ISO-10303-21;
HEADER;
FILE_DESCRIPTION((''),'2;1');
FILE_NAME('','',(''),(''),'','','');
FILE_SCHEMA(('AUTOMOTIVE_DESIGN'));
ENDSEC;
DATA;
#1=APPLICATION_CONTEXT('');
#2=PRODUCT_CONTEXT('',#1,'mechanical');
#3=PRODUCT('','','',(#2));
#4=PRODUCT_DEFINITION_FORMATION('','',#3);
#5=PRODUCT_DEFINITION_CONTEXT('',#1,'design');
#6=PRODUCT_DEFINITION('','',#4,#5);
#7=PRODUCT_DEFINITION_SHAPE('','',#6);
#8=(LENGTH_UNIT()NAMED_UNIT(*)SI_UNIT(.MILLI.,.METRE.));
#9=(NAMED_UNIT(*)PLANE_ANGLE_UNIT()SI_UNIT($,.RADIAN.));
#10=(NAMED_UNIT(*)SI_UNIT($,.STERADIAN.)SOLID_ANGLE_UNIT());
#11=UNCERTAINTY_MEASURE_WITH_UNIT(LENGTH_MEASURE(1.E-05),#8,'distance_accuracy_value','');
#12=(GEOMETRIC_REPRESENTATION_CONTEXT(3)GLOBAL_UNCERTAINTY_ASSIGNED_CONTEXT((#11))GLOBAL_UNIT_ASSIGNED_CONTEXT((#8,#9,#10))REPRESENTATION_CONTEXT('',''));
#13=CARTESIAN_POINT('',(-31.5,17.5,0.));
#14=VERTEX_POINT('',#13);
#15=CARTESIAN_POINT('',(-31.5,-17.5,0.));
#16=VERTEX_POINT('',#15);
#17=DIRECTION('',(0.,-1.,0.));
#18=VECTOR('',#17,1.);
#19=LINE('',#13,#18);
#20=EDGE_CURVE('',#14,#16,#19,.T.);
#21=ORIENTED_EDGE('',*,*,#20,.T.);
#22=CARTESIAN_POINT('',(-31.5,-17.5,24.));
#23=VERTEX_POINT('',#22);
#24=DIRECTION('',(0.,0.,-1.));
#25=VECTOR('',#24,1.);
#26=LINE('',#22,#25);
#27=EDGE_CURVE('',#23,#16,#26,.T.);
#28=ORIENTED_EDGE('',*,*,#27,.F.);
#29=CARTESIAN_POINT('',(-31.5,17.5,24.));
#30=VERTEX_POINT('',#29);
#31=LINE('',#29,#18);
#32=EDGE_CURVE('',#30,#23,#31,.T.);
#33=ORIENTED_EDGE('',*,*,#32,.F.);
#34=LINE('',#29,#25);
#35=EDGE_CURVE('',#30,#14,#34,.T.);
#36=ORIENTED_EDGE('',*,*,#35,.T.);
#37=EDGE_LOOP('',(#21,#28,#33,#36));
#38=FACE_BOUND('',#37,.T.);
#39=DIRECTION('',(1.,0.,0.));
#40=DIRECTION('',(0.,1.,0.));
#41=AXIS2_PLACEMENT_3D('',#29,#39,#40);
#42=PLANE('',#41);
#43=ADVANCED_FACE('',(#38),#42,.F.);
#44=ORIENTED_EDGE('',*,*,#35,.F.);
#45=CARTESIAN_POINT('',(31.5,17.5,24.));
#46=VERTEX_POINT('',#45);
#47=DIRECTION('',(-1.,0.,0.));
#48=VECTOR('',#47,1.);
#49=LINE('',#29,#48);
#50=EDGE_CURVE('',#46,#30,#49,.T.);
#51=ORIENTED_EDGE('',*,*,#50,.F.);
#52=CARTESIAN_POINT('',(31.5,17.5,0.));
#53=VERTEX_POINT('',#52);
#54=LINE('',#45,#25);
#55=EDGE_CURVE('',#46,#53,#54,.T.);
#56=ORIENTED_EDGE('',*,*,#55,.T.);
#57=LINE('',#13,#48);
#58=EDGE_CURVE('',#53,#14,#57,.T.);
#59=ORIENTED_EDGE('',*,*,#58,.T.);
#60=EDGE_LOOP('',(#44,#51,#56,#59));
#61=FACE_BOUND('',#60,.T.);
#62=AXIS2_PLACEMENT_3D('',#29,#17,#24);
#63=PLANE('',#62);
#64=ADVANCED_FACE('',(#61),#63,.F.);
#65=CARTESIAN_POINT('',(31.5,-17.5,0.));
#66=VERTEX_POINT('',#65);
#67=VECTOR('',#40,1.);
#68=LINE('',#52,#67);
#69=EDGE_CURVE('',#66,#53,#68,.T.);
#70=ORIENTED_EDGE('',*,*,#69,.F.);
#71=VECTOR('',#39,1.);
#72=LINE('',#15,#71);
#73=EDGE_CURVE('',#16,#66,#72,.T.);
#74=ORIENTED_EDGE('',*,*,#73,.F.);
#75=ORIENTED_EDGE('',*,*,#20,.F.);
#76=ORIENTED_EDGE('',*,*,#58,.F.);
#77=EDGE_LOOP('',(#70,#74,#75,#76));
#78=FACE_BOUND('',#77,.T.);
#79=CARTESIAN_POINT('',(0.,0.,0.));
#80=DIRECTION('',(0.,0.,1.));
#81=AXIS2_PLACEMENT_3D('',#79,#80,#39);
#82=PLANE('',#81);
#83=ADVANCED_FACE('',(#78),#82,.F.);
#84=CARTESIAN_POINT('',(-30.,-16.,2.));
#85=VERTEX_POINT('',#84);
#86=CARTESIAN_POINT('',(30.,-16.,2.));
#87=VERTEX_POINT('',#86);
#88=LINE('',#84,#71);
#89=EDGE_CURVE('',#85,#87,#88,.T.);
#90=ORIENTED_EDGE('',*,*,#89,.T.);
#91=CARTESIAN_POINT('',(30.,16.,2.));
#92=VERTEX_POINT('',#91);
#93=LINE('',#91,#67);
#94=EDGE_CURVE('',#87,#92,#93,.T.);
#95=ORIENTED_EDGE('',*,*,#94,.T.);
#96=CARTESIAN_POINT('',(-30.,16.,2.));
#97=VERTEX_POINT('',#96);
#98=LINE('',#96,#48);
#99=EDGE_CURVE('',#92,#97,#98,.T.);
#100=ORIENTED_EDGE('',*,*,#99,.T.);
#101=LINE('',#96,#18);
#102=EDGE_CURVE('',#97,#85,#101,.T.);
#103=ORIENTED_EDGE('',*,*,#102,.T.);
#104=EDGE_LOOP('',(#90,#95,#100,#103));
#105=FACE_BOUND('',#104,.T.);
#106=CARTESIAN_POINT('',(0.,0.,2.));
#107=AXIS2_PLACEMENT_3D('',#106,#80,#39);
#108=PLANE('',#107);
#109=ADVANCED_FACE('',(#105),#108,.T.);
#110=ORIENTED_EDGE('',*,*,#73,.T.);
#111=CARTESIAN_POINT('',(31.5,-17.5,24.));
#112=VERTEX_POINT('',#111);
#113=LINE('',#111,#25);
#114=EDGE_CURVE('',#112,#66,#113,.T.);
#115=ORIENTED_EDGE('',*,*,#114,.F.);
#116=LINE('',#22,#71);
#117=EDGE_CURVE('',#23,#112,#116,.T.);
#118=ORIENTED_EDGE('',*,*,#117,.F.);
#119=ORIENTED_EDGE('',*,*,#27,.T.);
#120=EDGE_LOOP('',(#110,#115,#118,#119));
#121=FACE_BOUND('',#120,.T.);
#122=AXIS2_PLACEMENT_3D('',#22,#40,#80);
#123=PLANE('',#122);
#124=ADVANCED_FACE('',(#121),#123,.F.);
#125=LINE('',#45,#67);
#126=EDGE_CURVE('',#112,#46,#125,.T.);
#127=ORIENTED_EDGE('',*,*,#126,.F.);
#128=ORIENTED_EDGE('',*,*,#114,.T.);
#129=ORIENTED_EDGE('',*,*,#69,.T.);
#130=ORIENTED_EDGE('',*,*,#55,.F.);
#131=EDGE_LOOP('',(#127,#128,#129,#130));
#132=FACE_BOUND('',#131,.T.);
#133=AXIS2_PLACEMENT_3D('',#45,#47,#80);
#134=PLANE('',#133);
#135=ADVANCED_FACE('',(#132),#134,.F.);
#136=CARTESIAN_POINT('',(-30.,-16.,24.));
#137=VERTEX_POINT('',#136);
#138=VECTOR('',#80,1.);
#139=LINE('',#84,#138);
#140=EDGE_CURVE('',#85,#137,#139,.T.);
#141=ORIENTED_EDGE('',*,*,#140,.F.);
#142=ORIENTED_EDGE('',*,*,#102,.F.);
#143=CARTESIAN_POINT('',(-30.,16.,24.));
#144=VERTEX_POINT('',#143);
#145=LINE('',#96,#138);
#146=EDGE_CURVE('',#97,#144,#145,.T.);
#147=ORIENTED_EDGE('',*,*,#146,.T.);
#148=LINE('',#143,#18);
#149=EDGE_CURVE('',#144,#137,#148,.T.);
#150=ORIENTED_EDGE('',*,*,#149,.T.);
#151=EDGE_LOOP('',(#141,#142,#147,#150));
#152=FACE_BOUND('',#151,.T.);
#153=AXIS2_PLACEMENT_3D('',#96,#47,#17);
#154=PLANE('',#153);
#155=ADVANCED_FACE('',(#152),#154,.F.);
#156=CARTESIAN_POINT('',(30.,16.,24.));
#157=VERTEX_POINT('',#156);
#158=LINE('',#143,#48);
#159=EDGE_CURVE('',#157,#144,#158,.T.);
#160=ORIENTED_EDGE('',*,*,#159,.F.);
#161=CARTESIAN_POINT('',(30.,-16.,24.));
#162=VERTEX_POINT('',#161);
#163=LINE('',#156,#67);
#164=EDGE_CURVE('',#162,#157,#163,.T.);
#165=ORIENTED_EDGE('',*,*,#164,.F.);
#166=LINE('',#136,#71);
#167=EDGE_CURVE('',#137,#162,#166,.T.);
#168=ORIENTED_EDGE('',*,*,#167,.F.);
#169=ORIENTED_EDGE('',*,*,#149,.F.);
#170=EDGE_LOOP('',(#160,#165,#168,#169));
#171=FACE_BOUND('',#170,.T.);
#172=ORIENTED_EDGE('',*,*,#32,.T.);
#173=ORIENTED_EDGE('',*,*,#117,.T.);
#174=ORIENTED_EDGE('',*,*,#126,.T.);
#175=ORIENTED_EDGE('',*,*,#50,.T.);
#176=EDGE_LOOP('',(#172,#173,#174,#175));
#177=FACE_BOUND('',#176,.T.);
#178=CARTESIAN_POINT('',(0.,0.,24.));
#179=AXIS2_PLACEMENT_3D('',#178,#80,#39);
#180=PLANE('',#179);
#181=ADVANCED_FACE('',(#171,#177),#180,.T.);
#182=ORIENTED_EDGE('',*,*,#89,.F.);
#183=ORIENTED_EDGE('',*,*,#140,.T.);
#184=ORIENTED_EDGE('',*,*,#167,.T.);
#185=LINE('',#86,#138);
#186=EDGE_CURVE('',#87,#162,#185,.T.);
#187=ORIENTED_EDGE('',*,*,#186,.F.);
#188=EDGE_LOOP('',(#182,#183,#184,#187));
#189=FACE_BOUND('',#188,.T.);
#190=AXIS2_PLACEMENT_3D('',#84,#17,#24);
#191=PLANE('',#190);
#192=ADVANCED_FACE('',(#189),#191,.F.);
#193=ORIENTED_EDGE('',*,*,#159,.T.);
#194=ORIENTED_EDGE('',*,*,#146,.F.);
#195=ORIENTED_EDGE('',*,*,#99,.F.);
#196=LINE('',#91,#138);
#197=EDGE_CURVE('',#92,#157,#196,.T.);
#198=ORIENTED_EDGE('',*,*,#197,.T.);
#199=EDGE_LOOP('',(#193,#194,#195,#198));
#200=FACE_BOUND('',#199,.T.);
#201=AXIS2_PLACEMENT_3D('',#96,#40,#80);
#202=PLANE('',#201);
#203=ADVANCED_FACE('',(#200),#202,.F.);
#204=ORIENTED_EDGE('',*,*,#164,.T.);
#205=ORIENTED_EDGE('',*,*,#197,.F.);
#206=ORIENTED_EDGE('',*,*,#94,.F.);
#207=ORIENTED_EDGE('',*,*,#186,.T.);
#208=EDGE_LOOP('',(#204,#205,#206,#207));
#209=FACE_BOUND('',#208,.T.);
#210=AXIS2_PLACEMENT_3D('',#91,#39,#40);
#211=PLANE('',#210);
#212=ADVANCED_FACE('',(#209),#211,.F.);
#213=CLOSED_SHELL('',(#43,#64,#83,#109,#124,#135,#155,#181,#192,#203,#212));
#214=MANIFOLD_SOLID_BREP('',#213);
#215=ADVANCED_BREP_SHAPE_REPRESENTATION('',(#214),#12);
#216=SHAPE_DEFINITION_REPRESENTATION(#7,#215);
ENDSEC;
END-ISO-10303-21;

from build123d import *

# Parameters (mm, degrees)
SKETCH1_W           = 63
SKETCH1_H           = 35
BOSS_EXTRUDE1_DEPTH = 24
SKETCH3_W           = 60
SKETCH3_H           = 32
CUT_EXTRUDE1_DEPTH  = 22


with BuildPart() as part:
    # Sketch1 → Boss-Extrude1 (new body)
    with BuildSketch(Plane.XY):
        Rectangle(SKETCH1_W, SKETCH1_H)
    extrude(amount=BOSS_EXTRUDE1_DEPTH)

    # Sketch3 → Cut-Extrude1 (cut)
    with BuildSketch(Plane.XY.offset(24)):
        Rectangle(SKETCH3_W, SKETCH3_H)
    extrude(amount=-CUT_EXTRUDE1_DEPTH, mode=Mode.SUBTRACT)


solid = part.part
